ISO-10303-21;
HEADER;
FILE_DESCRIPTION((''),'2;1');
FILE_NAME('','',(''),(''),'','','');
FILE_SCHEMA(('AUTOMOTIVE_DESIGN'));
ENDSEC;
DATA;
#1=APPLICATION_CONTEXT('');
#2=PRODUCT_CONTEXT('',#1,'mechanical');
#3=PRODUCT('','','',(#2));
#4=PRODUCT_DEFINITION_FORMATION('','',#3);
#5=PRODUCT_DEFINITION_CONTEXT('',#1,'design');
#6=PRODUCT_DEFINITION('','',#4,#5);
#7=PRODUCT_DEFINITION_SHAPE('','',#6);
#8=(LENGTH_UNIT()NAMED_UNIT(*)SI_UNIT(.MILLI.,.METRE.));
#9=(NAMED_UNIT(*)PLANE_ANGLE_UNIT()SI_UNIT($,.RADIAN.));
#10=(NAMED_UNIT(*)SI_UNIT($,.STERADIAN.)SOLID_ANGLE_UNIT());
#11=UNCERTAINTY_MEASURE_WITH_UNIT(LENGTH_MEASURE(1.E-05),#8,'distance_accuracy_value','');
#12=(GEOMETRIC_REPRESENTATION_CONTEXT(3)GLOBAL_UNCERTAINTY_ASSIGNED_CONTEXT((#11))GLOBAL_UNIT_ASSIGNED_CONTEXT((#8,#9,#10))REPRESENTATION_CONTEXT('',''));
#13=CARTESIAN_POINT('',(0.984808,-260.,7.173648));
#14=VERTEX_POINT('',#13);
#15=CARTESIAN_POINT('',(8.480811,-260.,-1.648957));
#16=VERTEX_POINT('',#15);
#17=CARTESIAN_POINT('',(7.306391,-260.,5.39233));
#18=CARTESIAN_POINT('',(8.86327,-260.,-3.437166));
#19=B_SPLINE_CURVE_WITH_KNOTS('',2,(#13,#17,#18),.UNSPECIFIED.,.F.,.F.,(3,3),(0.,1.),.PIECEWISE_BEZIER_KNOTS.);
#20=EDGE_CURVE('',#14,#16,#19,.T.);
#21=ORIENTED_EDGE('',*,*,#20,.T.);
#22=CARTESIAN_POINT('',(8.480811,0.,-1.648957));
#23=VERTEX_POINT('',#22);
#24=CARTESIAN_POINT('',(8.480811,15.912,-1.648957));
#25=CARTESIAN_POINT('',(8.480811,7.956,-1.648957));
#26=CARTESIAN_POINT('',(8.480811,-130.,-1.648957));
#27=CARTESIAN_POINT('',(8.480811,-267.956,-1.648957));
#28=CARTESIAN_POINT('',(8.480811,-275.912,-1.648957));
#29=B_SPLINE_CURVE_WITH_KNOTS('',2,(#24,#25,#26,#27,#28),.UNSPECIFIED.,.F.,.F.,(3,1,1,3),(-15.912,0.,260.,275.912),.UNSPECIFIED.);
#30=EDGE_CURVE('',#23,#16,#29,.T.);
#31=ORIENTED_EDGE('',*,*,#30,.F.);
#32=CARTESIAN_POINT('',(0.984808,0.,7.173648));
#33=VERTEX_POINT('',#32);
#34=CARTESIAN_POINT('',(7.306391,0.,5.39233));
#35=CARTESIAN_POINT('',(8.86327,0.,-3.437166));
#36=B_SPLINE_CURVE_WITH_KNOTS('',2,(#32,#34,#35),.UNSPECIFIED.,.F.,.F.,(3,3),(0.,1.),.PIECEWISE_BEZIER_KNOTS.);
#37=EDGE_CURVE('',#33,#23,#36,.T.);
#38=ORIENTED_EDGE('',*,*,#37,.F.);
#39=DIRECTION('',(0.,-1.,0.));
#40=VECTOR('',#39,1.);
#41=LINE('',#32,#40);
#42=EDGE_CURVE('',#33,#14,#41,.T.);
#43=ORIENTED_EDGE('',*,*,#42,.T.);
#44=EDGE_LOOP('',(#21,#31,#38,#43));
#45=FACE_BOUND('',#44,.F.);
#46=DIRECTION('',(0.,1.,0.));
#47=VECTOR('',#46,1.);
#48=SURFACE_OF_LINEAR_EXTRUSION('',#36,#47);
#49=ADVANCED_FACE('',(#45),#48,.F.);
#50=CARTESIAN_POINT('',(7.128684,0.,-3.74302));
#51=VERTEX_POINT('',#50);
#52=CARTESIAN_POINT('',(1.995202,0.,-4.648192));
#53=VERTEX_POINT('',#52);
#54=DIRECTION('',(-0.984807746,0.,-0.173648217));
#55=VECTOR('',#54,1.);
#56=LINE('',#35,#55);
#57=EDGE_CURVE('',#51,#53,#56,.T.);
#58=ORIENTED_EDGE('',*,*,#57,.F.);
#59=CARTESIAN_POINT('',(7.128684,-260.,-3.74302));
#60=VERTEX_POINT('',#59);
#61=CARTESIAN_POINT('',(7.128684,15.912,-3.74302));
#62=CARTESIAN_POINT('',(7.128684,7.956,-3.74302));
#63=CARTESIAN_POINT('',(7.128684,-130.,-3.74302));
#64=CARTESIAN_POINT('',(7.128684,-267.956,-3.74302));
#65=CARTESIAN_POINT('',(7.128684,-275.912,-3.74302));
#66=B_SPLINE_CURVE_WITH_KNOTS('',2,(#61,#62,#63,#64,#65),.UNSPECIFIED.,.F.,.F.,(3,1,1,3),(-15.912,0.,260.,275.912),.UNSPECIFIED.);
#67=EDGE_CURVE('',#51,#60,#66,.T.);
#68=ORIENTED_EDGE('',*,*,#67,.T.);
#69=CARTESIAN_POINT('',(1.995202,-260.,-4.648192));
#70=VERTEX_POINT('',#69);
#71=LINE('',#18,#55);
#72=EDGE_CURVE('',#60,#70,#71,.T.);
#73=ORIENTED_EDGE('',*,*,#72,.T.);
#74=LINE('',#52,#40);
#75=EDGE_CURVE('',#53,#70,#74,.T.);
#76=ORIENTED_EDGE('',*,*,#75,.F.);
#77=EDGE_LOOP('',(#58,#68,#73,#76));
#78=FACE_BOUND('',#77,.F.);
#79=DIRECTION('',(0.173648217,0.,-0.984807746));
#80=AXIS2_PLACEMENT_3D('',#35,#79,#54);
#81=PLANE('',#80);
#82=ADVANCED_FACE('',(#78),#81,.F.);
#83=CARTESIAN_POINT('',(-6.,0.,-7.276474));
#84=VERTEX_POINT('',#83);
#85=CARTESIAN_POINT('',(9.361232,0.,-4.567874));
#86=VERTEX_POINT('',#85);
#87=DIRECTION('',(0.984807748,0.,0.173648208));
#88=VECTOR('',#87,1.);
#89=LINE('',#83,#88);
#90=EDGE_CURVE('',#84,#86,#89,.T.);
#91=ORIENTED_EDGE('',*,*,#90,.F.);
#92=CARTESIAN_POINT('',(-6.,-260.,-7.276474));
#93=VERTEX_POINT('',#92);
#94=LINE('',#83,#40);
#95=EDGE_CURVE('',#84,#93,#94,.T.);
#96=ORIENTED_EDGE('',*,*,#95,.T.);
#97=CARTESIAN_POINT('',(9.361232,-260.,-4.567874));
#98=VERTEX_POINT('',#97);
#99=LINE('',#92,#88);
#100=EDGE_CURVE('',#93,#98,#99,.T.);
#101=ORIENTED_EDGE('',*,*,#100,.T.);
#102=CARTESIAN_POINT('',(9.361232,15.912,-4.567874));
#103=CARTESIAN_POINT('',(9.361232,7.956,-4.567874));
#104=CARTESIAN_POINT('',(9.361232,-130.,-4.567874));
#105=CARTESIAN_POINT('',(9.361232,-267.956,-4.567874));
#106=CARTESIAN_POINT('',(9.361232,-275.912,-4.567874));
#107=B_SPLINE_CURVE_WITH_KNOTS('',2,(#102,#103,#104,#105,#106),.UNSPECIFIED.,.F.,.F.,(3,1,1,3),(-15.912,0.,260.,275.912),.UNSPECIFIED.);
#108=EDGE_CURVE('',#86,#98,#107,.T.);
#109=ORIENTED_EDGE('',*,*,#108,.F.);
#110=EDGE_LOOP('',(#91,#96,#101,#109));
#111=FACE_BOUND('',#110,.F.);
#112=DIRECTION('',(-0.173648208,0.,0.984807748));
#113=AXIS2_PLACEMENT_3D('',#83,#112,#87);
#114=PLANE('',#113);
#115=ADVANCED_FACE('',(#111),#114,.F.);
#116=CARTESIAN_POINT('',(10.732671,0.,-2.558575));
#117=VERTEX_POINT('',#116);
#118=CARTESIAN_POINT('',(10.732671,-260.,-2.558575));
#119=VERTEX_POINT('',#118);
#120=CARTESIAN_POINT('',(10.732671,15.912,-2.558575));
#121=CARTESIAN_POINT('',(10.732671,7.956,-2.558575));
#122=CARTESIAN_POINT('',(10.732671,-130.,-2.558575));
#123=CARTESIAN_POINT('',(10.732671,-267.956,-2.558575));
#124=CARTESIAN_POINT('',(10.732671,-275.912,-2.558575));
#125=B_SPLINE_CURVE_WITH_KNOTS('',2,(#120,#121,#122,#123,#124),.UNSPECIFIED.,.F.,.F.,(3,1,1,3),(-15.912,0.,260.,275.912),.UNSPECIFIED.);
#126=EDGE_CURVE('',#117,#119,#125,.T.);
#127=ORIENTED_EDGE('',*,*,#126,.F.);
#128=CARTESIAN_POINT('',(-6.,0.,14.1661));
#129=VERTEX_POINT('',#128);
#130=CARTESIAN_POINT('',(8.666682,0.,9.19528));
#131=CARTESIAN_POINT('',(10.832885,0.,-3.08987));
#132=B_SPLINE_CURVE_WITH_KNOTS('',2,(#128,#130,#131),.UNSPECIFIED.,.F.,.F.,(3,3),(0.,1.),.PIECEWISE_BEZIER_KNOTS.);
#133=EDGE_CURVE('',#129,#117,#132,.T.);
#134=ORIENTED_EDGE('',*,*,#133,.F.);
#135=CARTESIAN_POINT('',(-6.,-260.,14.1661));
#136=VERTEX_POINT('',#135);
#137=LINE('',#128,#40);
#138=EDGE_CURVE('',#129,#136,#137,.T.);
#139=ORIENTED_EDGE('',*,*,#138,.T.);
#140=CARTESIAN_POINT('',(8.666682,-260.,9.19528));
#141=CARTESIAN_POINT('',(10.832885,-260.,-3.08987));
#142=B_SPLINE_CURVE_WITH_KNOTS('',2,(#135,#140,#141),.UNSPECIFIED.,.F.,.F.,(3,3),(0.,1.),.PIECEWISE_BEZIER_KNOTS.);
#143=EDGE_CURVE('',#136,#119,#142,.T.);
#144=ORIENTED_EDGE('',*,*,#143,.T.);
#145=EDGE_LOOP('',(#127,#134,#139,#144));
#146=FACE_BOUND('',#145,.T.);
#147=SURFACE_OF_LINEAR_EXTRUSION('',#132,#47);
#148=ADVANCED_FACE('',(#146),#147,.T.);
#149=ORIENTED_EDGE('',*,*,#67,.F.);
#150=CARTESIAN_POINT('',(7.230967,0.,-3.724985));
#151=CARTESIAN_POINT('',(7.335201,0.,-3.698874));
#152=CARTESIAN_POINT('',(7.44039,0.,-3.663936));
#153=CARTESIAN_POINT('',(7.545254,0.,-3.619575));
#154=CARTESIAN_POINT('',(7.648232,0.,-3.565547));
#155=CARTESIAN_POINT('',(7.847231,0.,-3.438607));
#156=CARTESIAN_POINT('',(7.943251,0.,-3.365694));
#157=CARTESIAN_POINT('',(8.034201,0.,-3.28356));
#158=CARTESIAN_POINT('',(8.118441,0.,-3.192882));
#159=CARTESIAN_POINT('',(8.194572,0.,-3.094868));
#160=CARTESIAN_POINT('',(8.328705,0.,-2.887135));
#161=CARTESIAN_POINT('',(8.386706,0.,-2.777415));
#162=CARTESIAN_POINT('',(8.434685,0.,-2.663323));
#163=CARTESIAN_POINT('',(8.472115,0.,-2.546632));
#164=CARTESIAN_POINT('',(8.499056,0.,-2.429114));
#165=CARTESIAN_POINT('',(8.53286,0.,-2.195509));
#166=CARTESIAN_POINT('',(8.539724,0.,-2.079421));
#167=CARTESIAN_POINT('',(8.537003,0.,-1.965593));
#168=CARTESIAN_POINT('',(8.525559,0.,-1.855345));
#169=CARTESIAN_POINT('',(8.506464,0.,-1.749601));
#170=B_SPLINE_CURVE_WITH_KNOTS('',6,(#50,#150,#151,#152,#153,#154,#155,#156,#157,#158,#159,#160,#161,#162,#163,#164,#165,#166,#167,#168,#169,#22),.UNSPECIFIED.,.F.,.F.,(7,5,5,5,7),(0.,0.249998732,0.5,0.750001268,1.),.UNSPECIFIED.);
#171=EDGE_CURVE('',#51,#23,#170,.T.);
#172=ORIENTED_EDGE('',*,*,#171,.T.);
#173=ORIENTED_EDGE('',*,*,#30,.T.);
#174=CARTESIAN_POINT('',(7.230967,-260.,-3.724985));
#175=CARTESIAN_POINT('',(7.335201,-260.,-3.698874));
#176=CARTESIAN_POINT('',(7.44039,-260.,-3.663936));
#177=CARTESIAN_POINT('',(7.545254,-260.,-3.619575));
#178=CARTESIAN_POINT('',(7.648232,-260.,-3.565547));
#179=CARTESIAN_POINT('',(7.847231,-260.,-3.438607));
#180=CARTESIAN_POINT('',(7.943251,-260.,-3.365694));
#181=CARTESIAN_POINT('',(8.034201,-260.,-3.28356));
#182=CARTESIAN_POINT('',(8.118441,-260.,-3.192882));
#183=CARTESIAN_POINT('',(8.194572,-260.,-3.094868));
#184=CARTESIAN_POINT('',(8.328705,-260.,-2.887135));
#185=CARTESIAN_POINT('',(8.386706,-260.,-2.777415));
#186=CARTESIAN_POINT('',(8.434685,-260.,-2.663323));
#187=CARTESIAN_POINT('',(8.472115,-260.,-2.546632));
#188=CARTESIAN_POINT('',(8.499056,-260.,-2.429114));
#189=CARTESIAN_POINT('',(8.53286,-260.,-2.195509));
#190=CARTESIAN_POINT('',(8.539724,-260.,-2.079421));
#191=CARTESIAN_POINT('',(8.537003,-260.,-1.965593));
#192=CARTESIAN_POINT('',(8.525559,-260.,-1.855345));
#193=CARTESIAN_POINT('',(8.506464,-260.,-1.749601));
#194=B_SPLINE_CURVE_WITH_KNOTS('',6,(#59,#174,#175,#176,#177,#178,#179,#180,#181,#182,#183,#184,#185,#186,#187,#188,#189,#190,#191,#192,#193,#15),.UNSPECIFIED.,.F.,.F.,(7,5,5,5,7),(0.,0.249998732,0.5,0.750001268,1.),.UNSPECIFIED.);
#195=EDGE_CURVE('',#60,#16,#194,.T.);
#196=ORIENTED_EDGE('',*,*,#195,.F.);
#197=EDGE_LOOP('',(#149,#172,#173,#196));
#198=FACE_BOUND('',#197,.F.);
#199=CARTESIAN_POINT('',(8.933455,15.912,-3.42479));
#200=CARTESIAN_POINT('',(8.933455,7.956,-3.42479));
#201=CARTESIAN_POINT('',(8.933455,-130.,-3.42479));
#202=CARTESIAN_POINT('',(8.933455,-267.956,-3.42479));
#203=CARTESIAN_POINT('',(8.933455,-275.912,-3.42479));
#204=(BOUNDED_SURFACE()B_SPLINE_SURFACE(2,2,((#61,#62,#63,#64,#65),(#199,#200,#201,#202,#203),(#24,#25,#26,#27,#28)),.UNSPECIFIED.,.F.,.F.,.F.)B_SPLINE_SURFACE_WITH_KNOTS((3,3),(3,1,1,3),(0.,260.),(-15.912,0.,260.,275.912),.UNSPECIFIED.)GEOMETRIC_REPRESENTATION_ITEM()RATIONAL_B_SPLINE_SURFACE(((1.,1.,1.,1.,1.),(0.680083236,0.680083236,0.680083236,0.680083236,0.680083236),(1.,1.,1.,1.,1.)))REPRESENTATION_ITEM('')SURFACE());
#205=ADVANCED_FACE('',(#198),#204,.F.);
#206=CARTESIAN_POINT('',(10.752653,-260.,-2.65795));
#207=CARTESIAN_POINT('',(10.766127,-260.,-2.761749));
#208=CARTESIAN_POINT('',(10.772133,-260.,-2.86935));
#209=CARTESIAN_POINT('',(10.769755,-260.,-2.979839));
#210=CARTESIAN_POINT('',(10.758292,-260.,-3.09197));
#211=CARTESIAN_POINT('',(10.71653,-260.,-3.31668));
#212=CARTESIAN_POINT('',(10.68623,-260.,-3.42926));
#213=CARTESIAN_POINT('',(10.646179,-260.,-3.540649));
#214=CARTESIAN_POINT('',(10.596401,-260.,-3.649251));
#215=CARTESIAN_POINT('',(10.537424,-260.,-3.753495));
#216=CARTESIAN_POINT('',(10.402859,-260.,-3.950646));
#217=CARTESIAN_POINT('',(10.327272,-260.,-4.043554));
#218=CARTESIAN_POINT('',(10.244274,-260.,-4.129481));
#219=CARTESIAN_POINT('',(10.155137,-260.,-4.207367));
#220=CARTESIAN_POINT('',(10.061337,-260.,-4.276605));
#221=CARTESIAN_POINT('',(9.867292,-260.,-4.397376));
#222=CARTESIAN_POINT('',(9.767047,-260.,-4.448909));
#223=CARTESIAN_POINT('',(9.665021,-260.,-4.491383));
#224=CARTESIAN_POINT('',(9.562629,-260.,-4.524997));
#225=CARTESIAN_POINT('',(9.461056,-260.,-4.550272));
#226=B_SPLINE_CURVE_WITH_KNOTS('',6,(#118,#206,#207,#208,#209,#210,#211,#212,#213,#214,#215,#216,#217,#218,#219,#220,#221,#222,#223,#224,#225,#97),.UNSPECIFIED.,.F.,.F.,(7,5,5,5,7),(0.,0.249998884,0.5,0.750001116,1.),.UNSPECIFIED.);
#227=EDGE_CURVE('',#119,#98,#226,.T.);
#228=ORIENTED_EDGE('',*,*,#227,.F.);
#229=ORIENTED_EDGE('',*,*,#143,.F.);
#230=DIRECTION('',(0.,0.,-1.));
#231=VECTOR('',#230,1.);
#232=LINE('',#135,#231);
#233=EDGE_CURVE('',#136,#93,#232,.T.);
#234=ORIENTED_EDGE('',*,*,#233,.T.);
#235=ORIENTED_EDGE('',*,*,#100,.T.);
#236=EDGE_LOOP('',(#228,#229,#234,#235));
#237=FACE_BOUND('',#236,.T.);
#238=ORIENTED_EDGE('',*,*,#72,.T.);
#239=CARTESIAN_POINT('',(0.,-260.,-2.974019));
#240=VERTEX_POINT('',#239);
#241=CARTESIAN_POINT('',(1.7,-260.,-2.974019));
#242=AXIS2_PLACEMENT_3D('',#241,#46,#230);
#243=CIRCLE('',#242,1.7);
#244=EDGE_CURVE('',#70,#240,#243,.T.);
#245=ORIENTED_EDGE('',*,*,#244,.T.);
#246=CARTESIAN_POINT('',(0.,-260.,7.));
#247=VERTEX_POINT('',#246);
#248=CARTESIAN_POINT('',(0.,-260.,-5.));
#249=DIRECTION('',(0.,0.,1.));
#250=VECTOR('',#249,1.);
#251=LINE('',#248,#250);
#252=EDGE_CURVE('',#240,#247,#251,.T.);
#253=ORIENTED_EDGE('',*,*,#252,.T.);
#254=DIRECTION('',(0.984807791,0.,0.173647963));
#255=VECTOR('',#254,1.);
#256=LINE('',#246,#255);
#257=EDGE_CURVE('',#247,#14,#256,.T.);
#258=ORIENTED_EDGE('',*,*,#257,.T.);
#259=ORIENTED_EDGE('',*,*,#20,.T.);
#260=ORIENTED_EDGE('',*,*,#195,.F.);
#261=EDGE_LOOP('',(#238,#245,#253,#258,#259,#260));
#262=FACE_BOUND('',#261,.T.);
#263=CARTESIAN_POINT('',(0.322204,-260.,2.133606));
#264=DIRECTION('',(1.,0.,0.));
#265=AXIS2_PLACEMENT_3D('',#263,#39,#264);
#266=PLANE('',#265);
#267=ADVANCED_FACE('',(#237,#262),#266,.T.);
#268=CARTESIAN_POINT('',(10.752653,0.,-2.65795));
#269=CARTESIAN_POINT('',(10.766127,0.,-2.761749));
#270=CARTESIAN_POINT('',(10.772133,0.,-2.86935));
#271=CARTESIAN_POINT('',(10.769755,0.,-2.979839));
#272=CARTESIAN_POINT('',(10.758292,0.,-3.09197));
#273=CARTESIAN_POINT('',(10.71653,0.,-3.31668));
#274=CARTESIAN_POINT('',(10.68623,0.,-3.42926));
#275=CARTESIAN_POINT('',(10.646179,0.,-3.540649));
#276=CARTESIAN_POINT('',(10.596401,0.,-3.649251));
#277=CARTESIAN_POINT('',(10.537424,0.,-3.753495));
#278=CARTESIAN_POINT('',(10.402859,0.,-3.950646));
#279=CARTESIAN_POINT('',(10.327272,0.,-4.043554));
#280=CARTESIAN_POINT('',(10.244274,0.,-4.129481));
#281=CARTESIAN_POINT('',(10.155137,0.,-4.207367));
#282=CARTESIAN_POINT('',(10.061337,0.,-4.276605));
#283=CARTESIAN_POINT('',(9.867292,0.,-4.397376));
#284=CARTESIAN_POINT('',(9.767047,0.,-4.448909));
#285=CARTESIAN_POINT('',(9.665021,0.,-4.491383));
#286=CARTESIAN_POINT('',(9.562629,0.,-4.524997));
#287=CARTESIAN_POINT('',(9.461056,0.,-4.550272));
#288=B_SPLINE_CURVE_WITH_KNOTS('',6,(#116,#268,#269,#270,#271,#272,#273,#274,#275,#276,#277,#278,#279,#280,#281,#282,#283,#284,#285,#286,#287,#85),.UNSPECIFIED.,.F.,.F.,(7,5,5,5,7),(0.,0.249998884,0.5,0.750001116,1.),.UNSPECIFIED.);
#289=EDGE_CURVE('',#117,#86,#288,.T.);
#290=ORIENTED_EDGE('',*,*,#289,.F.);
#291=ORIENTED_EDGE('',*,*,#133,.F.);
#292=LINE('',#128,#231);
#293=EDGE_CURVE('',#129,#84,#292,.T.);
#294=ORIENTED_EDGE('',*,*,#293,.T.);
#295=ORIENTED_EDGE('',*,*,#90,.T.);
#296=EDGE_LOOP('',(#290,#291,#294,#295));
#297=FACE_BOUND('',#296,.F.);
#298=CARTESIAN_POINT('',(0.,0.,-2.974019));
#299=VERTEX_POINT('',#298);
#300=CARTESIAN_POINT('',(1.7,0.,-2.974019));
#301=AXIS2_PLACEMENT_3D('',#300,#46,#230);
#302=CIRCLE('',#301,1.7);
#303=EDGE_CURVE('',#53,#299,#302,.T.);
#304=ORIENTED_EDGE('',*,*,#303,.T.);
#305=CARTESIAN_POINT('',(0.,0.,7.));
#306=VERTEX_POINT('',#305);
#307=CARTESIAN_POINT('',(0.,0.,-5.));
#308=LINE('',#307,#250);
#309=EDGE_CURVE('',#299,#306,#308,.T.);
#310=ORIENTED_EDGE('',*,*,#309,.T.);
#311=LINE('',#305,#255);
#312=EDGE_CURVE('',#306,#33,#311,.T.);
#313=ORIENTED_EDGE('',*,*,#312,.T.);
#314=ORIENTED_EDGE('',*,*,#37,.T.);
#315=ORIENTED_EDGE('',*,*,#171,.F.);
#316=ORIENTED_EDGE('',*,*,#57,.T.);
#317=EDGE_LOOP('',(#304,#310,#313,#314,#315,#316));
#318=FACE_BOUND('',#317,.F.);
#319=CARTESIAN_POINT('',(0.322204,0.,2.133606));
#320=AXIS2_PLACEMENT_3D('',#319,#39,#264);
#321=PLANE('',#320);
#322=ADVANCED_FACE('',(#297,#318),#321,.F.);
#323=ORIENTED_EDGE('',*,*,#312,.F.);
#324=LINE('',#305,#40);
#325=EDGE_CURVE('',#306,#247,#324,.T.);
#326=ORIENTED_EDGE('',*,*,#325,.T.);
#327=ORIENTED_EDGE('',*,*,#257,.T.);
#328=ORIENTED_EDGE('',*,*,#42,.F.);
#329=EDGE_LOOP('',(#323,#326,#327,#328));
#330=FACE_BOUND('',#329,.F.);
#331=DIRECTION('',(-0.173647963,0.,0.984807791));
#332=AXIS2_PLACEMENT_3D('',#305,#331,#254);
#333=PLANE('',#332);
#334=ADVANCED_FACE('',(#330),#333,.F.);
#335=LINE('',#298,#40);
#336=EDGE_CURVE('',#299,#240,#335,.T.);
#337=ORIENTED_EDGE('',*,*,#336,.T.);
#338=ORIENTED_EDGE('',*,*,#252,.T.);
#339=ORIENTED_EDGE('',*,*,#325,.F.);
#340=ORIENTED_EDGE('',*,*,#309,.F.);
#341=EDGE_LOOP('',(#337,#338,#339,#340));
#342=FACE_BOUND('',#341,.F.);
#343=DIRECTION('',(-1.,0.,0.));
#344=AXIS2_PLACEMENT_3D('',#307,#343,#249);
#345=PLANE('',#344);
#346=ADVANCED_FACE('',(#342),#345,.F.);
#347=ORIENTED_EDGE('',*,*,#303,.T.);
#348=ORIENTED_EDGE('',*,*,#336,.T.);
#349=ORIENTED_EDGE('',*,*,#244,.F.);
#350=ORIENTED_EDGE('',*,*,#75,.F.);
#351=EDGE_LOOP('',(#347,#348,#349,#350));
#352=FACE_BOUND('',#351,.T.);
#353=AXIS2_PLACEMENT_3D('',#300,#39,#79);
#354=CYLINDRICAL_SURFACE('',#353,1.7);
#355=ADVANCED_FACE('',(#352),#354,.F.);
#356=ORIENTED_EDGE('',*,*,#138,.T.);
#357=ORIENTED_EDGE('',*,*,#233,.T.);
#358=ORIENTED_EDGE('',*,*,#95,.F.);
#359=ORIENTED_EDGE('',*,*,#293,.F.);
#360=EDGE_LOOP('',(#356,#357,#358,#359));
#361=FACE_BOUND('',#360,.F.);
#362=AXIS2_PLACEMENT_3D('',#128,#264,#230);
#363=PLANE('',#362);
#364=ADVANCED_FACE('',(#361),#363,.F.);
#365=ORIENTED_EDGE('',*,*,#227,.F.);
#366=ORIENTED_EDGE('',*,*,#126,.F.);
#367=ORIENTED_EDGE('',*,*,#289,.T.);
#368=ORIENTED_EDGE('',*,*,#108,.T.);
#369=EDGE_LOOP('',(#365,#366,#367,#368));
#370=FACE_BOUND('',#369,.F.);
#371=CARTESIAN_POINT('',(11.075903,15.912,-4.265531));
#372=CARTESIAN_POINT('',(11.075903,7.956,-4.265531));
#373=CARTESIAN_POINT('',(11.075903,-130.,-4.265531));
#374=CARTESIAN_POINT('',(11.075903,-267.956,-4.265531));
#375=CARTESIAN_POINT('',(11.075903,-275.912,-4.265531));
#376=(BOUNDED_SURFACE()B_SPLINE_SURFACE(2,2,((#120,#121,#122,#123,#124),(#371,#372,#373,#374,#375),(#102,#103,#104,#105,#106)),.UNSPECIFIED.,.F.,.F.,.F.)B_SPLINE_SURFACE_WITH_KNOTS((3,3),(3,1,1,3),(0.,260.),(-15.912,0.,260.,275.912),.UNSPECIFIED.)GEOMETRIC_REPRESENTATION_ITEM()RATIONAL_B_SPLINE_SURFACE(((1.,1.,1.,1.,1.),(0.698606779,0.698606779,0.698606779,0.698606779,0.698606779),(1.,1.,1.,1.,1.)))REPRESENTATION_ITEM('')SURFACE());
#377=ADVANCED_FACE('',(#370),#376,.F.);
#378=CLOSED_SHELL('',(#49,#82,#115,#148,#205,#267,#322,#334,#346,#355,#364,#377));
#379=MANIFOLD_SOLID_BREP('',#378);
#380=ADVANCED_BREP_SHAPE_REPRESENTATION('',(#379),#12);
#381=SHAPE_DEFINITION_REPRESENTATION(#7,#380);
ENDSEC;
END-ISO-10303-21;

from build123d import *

# Parameters (mm, degrees)
PAD_DEPTH = 260
FILLET_R  = 1.7


with BuildPart() as part:
    # Sketch001 (on Sketch) → Pad (new body)
    with BuildSketch(Plane.XZ):
        with BuildLine():
            Line((11.041263, -4.271639), (10.832885, -3.08987))
            add(Edge.make_bspline(
                [(-6, 14.1661), (8.666682, 9.19528), (10.832885, -3.08987)],
                knots=[0, 0, 0, 1, 1, 1], degree=2))
            Line((-6, 14.1661), (-6, -7.276474))
            Line((-6, -7.276474), (11.041263, -4.271639))
        make_face()
        with BuildLine():
            Line((0, -5), (0, 7))
            Line((0, 7), (0.984808, 7.173648))
            add(Edge.make_bspline(
                [(0.984808, 7.173648), (7.306391, 5.39233), (8.86327, -3.437166)],
                knots=[0, 0, 0, 1, 1, 1], degree=2))
            Line((8.86327, -3.437166), (0, -5))
        make_face(mode=Mode.SUBTRACT)
    extrude(amount=PAD_DEPTH)

    # Fillet
    fillet_edges = [part.edges().sort_by_distance(p)[0] for p in [
        (8.86327, -130, -3.437166),
        (0, -130, -5),
        (11.041263, -130, -4.271639),
    ]]
    fillet(fillet_edges, radius=FILLET_R)


solid = part.part
